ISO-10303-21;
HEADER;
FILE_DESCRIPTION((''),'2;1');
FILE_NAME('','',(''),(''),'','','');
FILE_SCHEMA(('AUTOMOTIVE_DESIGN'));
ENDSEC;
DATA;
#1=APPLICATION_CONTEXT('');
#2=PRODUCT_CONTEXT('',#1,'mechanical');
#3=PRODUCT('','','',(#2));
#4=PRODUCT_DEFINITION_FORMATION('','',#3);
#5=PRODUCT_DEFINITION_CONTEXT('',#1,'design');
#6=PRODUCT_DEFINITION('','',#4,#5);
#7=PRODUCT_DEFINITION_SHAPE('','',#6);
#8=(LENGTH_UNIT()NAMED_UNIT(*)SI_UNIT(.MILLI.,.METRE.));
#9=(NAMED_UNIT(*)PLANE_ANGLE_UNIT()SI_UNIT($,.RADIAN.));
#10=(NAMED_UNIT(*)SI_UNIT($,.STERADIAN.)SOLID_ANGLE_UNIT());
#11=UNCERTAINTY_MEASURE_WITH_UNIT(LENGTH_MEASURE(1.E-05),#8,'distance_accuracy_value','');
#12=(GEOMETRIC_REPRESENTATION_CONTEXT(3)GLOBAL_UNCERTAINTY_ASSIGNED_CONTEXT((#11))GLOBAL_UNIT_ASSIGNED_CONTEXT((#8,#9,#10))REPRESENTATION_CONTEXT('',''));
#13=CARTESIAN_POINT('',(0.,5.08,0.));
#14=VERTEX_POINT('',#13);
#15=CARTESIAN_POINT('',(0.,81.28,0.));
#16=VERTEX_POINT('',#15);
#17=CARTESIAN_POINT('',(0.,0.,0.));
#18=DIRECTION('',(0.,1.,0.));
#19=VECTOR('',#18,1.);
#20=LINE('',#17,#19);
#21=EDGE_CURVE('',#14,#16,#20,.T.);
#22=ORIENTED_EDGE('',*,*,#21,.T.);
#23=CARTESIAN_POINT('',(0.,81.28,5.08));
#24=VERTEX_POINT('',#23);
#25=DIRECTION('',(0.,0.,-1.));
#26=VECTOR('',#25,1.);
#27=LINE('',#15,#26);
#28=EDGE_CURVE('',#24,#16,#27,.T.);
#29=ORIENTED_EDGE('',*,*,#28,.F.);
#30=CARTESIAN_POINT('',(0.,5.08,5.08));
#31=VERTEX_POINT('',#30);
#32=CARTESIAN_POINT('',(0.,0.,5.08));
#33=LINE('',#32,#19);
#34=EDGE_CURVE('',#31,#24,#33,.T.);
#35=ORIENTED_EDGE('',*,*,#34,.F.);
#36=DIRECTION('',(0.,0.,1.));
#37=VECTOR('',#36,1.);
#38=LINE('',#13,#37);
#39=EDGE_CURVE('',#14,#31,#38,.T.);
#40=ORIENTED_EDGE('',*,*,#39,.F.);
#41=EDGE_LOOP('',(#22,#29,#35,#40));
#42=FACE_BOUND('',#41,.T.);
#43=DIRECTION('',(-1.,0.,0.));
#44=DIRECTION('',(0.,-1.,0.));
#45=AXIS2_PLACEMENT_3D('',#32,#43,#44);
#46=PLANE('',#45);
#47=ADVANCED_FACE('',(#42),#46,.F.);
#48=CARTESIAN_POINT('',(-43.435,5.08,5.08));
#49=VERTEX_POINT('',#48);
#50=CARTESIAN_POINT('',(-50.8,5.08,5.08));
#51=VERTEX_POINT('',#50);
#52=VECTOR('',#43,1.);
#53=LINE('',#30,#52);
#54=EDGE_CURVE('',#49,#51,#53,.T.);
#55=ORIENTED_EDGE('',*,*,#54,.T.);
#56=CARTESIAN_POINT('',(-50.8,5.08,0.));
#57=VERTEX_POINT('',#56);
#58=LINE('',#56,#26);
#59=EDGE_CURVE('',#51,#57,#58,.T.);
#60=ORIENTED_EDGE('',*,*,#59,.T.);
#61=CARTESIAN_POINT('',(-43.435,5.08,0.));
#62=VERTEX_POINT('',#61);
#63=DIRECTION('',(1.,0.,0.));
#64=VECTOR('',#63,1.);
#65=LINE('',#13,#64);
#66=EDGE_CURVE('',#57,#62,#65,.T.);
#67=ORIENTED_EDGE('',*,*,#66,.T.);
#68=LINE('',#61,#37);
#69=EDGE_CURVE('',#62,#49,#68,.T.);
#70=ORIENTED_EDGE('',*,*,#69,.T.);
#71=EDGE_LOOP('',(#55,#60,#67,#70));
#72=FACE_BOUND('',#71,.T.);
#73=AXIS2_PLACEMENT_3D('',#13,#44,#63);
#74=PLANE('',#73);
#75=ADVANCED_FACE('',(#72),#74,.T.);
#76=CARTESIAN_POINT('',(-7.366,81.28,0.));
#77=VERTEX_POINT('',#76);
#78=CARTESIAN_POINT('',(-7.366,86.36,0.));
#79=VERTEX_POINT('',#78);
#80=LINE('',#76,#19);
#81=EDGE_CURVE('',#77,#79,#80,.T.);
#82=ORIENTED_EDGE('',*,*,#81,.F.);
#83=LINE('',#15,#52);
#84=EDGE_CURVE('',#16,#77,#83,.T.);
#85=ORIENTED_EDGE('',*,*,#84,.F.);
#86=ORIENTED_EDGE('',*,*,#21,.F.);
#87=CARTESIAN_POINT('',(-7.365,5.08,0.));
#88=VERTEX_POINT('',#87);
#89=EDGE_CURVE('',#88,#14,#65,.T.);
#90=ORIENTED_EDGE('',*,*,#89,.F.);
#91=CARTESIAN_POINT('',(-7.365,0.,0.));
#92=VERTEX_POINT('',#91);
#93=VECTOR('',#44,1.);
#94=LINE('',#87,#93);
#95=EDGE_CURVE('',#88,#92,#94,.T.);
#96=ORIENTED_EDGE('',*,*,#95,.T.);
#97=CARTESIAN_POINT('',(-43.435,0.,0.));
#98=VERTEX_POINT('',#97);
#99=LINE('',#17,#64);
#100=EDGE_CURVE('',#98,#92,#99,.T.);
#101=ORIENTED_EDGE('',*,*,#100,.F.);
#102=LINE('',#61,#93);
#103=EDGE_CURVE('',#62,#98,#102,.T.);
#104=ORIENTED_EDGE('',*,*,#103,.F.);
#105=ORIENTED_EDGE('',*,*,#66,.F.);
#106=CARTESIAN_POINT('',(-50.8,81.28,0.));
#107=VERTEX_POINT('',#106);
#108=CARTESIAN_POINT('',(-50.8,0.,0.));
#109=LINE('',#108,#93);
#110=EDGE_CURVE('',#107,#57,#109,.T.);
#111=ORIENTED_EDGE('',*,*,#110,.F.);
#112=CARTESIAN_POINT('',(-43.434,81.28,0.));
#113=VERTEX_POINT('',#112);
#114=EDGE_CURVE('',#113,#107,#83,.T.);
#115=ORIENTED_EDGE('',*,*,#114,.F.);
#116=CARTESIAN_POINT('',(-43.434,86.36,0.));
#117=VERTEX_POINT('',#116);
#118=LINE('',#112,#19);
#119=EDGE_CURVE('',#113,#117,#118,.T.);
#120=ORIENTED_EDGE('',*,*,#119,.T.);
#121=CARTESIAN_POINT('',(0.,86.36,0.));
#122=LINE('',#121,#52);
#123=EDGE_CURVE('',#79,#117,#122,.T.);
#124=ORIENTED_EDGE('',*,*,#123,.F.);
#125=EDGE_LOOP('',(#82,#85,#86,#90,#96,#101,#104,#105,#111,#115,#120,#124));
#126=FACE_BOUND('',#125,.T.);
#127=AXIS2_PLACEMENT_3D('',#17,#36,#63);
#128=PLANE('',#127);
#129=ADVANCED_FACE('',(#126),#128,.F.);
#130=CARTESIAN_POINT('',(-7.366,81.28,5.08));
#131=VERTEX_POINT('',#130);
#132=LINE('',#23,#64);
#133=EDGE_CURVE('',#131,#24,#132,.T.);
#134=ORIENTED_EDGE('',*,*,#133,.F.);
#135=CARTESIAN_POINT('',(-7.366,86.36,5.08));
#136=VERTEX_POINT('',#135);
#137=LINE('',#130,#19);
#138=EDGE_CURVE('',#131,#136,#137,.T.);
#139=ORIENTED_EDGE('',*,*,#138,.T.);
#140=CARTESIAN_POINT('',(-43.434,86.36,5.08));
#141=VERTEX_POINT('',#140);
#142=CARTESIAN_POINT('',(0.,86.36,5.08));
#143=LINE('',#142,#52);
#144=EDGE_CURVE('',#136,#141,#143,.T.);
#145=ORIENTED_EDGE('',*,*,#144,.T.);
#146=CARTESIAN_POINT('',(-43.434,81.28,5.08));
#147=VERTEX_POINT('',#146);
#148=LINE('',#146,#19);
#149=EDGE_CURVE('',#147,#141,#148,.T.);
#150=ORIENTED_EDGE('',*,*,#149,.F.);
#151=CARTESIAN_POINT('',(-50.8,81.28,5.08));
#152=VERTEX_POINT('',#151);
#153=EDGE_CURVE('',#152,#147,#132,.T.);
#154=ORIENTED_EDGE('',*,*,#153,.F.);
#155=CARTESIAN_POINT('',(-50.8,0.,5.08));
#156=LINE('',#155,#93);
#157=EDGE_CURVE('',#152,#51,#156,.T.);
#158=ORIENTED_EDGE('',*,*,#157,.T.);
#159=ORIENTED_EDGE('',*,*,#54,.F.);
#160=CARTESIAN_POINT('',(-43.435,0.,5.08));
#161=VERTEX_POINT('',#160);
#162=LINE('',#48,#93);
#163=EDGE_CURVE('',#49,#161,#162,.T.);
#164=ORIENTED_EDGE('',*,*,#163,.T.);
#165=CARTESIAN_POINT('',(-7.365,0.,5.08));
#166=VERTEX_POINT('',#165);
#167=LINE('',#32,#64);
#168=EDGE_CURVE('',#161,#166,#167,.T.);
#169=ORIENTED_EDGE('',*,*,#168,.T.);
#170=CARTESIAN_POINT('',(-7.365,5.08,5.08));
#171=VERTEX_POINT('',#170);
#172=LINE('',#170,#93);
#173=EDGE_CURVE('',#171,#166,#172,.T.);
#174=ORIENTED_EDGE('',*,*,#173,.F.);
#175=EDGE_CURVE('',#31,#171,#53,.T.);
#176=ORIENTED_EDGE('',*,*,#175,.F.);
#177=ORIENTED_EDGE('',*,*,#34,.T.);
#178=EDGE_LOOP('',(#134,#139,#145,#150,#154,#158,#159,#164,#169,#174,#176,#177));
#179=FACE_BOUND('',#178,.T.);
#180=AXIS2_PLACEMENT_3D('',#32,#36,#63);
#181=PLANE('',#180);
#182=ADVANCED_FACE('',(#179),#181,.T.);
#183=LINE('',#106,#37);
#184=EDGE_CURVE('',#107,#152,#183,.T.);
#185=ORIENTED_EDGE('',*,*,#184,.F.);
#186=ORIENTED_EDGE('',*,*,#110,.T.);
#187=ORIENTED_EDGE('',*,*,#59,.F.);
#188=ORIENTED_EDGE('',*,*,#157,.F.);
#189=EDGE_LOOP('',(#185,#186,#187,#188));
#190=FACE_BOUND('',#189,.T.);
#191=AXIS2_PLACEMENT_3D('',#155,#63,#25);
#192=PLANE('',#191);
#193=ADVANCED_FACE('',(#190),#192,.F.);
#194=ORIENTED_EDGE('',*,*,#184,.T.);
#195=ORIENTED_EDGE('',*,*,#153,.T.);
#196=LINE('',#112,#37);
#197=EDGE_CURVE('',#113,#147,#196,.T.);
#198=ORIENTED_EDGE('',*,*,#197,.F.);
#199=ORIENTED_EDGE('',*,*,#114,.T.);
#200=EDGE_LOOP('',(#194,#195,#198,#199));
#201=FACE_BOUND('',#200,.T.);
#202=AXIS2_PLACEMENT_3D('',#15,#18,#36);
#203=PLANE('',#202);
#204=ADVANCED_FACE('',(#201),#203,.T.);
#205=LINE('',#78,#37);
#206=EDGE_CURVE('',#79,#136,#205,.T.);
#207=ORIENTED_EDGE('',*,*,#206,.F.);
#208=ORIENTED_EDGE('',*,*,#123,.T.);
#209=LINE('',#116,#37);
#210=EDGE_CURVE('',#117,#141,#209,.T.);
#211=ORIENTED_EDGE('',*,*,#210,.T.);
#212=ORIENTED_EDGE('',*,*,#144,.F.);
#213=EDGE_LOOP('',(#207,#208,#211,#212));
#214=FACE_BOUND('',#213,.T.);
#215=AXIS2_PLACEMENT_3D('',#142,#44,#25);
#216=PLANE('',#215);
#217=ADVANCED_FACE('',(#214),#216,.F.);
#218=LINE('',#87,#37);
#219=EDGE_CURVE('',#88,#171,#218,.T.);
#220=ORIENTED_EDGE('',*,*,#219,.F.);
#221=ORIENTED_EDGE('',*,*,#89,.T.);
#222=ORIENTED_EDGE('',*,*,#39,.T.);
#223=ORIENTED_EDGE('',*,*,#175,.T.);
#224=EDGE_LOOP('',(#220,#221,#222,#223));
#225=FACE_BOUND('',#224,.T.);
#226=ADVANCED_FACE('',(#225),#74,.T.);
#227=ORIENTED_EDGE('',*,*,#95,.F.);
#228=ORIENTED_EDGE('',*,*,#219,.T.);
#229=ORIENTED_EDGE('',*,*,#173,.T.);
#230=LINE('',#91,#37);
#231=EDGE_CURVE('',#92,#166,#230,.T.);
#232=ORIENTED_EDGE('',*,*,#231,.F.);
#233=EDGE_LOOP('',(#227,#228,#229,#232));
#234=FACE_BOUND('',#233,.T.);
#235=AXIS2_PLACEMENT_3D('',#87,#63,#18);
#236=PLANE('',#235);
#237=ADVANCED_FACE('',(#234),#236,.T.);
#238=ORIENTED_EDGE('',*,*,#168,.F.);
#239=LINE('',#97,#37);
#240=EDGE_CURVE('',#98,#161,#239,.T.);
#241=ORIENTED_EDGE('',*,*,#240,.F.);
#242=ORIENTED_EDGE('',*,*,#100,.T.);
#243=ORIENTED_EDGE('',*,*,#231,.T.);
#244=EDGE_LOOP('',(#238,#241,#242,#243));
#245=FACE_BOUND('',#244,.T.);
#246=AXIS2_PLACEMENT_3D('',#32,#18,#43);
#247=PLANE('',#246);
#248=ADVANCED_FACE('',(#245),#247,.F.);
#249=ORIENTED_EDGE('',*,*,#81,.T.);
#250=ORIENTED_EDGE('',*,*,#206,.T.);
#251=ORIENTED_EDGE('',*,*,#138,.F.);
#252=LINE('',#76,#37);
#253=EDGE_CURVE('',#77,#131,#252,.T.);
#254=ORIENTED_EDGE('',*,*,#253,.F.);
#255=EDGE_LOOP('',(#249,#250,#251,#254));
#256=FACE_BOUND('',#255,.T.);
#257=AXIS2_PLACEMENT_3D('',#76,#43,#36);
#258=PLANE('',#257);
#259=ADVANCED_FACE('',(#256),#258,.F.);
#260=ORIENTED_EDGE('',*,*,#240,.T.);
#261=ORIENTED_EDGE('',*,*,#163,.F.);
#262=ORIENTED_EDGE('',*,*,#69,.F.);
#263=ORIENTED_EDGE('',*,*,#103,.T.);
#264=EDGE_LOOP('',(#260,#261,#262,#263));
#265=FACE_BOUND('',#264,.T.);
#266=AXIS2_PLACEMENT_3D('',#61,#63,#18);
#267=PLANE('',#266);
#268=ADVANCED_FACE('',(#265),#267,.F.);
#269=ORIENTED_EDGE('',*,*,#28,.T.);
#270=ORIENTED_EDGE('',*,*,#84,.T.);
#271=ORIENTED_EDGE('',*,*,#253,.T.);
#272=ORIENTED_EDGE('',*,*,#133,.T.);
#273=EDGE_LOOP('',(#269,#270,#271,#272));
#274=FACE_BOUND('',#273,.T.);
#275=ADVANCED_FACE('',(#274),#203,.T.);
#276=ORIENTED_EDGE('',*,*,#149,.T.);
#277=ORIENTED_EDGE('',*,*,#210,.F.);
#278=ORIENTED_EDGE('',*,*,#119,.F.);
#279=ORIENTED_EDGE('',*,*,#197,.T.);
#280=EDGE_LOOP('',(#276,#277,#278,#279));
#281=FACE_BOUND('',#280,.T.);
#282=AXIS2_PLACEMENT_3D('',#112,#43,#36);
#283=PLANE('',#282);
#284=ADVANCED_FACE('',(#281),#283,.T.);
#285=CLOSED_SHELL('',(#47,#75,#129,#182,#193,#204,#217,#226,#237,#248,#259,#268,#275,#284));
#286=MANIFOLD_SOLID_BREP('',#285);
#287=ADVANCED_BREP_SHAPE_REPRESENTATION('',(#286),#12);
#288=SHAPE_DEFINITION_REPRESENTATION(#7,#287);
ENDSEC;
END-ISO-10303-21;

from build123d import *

# Parameters (mm, degrees)
SKETCH1_W           = 50.8
SKETCH1_H           = 86.36
BOSS_EXTRUDE1_DEPTH = 5.08
SKETCH2_W           = 7.366
SKETCH2_H           = 5.08
CUT_EXTRUDE1_DEPTH  = 5.08
SKETCH6_W           = 7.365
SKETCH6_H           = 5.08
CUT_EXTRUDE2_DEPTH  = 5.08


with BuildPart() as part:
    # Sketch1 → Boss-Extrude1 (new body)
    with BuildSketch(Plane.XY):
        with Locations((-25.4, 43.18)):
            Rectangle(SKETCH1_W, SKETCH1_H)
    extrude(amount=BOSS_EXTRUDE1_DEPTH)

    # Sketch2 → Cut-Extrude1 (cut)
    with BuildSketch(Plane(origin=(0, 86.36, 0), x_dir=(1, 0, 0), z_dir=(0, 1, 0))):
        with Locations((-47.117, -2.54)):
            Rectangle(SKETCH2_W, SKETCH2_H)
        with Locations((-3.683, -2.54)):
            Rectangle(SKETCH2_W, SKETCH2_H)
    extrude(amount=-CUT_EXTRUDE1_DEPTH, mode=Mode.SUBTRACT)

    # Sketch6 → Cut-Extrude2 (cut)
    with BuildSketch(Plane(origin=(0, 0, 0), x_dir=(-1, 0, 0), z_dir=(0, -1, 0))):
        with Locations((47.1175, -2.54)):
            Rectangle(SKETCH6_W, SKETCH6_H)
        with Locations((3.6825, -2.54)):
            Rectangle(SKETCH6_W, SKETCH6_H)
    extrude(amount=-CUT_EXTRUDE2_DEPTH, mode=Mode.SUBTRACT)


solid = part.part
